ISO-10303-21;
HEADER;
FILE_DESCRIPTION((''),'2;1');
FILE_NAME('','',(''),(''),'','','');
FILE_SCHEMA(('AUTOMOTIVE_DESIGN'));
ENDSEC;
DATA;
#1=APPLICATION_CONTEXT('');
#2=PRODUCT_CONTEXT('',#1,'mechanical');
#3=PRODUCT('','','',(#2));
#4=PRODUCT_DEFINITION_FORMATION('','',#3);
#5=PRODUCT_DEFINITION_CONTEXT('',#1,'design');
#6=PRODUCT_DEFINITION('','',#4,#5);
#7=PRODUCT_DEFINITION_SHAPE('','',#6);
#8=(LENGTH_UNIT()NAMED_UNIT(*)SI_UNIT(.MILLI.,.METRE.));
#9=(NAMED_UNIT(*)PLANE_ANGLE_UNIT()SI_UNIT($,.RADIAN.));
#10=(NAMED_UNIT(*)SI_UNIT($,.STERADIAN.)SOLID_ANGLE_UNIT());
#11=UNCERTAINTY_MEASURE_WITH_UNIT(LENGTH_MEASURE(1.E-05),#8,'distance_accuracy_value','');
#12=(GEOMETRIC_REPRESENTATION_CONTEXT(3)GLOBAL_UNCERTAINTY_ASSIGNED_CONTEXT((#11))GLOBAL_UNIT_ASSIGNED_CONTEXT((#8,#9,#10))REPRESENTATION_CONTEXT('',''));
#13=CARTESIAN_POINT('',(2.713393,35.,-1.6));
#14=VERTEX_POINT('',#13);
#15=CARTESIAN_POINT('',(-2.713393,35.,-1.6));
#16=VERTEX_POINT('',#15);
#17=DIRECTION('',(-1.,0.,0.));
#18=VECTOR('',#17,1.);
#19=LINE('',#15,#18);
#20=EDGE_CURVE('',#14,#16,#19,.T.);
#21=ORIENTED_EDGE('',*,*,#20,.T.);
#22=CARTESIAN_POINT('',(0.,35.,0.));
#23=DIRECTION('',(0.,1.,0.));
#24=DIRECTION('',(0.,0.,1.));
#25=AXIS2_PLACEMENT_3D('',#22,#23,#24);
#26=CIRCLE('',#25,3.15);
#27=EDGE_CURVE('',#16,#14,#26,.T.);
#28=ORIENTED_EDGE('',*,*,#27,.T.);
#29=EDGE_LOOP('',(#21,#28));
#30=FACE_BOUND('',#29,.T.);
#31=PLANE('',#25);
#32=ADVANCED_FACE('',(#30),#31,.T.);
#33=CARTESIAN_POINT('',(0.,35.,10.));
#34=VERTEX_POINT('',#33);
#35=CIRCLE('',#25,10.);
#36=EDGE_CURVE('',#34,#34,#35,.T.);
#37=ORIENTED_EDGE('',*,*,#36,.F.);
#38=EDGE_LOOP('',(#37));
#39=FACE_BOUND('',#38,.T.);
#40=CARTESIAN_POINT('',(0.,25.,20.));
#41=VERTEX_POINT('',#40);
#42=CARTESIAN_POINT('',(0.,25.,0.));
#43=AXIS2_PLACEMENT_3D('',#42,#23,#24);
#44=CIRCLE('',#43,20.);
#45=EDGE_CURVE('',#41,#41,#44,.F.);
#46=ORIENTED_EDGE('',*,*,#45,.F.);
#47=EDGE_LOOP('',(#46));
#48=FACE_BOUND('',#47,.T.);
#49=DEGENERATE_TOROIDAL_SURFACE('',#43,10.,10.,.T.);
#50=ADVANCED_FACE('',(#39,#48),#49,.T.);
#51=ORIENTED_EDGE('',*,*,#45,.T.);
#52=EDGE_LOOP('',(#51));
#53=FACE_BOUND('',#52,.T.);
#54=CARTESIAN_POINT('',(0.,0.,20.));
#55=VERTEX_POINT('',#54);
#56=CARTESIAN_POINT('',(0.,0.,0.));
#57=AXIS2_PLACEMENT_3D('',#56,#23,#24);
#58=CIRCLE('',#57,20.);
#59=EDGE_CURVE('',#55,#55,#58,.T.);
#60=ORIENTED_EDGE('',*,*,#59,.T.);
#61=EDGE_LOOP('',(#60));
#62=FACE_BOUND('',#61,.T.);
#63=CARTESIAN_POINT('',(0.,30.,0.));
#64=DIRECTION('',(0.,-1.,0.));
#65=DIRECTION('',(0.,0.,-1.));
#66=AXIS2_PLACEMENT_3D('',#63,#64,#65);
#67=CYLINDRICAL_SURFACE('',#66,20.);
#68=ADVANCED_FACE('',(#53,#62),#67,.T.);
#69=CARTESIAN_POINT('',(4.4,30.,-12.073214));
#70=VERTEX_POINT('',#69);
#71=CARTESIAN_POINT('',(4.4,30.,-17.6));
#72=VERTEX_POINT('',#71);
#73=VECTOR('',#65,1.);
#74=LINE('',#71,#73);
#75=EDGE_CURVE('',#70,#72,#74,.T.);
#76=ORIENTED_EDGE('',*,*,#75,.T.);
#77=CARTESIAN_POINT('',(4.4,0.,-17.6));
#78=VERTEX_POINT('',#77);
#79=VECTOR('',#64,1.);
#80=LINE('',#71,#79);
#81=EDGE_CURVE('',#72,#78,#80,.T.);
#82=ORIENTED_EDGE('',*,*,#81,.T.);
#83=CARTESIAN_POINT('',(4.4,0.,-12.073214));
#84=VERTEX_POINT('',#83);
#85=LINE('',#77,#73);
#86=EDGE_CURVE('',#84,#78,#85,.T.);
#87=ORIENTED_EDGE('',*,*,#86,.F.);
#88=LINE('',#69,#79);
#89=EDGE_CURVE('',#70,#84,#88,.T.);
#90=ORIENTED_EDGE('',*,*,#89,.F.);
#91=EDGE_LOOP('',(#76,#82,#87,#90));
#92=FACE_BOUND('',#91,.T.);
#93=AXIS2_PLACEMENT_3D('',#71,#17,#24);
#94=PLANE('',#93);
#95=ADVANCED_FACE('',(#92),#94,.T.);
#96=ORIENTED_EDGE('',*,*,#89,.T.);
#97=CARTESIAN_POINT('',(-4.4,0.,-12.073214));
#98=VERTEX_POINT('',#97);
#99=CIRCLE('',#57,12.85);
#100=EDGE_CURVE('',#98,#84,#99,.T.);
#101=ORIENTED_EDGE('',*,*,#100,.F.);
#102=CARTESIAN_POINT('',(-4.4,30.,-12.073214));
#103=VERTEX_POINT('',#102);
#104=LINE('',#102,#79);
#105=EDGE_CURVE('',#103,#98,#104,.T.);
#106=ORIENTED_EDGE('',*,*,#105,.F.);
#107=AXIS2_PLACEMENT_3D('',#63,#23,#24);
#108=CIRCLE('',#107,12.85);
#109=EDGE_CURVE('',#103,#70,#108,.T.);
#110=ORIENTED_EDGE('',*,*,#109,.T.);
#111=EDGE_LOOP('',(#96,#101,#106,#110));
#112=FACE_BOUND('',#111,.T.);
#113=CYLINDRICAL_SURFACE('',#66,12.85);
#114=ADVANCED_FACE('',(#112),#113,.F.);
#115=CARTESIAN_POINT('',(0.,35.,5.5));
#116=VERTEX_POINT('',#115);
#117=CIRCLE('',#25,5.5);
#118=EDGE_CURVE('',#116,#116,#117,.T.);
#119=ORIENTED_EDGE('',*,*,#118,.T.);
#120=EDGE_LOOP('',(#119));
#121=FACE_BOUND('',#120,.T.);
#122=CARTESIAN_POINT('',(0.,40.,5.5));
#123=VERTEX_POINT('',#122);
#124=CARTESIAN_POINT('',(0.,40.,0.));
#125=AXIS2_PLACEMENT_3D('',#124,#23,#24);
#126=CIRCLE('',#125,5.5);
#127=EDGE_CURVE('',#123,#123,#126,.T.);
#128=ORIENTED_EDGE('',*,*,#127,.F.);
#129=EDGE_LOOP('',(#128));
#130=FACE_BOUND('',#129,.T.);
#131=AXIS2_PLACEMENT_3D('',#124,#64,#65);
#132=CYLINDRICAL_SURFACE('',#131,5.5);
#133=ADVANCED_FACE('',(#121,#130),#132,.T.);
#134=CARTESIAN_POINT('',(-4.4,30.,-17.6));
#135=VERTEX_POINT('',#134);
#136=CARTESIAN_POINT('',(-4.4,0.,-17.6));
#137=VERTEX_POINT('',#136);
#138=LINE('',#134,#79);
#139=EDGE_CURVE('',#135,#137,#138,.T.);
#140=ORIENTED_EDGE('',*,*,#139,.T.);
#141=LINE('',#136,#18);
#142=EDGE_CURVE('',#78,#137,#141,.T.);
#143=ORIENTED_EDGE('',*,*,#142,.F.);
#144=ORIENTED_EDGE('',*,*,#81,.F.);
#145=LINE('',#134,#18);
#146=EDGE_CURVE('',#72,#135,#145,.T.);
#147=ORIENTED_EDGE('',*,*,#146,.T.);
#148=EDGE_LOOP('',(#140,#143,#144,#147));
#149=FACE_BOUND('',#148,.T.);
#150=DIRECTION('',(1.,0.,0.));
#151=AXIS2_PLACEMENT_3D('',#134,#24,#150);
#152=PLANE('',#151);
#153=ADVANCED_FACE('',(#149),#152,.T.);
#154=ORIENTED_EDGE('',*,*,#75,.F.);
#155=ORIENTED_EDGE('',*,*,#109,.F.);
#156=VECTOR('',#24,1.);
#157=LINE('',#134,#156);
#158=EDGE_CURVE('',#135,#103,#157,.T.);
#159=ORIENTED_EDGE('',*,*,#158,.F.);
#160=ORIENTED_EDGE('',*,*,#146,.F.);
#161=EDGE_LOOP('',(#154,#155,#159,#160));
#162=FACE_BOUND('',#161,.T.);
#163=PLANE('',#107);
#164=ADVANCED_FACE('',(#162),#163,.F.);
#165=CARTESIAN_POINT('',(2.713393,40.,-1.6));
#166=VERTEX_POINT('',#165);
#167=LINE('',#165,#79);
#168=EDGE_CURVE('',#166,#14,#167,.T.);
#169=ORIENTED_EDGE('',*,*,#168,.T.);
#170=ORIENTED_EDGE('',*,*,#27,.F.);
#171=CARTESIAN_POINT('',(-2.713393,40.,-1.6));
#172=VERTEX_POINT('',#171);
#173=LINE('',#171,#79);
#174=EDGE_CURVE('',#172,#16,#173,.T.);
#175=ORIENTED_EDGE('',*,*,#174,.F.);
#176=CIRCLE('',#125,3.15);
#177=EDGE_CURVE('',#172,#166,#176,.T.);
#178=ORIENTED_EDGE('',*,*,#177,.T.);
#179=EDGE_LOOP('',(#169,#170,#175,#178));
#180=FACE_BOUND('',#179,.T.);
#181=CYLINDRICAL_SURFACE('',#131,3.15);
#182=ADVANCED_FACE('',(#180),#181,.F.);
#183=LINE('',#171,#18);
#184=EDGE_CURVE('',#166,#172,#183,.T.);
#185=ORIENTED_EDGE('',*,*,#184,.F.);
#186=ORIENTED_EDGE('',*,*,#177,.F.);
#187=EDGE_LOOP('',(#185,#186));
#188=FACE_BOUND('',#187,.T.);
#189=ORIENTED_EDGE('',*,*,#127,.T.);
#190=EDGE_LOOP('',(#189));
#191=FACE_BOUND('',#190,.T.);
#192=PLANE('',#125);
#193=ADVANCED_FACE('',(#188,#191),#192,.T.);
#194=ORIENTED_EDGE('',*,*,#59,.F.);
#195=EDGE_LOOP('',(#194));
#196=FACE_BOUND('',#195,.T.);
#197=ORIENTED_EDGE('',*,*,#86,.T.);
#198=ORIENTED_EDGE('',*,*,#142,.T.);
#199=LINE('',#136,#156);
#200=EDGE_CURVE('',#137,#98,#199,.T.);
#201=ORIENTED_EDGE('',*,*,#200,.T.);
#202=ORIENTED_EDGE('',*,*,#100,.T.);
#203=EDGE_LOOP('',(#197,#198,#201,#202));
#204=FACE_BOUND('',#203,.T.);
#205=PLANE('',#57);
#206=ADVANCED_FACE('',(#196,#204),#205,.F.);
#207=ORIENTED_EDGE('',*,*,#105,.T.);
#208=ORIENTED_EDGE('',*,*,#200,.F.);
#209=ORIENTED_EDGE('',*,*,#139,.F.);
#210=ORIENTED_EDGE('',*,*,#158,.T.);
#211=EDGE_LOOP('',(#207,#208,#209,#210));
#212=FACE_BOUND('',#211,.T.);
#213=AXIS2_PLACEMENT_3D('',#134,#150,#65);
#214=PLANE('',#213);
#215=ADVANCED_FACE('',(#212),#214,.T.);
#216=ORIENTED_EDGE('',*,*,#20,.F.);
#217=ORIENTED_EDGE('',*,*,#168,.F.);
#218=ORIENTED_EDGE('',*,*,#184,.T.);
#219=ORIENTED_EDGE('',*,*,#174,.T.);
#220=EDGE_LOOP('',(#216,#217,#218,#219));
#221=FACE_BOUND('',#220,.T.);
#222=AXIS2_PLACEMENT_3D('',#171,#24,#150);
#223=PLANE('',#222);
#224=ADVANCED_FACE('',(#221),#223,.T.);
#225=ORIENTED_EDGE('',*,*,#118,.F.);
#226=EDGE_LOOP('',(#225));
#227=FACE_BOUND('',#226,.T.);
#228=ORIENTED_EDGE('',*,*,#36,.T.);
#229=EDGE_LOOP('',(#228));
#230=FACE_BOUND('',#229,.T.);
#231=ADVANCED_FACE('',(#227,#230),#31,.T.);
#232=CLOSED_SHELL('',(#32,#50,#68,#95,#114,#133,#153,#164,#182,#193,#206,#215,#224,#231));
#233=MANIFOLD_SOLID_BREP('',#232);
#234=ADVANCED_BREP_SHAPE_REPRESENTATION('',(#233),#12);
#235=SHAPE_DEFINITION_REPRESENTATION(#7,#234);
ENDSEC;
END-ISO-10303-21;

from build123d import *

# Parameters (mm, degrees)
SKETCH1_R           = 20
BOSS_EXTRUDE1_DEPTH = 30
SKETCH2_R           = 20
BOSS_EXTRUDE2_DEPTH = 5
SKETCH3_R           = 5.5
BOSS_EXTRUDE3_DEPTH = 5
FILLET1_R           = 10


with BuildPart() as part:
    # Sketch1 → Boss-Extrude1 (new body)
    with BuildSketch(Plane(origin=(0, 0, 0), x_dir=(1, 0, 0), z_dir=(0, 1, 0))):
        Circle(SKETCH1_R)
        with BuildLine():
            Line((-4.4, 17.6), (4.4, 17.6))
            Line((4.4, 17.6), (4.4, 12.073214154))
            ThreePointArc((4.4, 12.073214154), (0, -12.85), (-4.4, 12.073214154))
            Line((-4.4, 12.073214154), (-4.4, 17.6))
        make_face(mode=Mode.SUBTRACT)
    extrude(amount=BOSS_EXTRUDE1_DEPTH)

    # Sketch2 → Boss-Extrude2 (add)
    with BuildSketch(Plane(origin=(0, 30, 0), x_dir=(1, 0, 0), z_dir=(0, 1, 0))):
        Circle(SKETCH2_R)
    extrude(amount=BOSS_EXTRUDE2_DEPTH)

    # Sketch3 → Boss-Extrude3 (add)
    with BuildSketch(Plane(origin=(0, 35, 0), x_dir=(1, 0, 0), z_dir=(0, 1, 0))):
        Circle(SKETCH3_R)
        with BuildLine():
            Line((-2.71339271, 1.6), (2.71339271, 1.6))
            ThreePointArc((2.71339271, 1.6), (0, -3.15), (-2.71339271, 1.6))
        make_face(mode=Mode.SUBTRACT)
    extrude(amount=BOSS_EXTRUDE3_DEPTH)

    # Fillet1
    fillet1_edges = [part.edges().sort_by_distance(p)[0] for p in [
        (-20, 35, 0),
    ]]
    fillet(fillet1_edges, radius=FILLET1_R)


solid = part.part
